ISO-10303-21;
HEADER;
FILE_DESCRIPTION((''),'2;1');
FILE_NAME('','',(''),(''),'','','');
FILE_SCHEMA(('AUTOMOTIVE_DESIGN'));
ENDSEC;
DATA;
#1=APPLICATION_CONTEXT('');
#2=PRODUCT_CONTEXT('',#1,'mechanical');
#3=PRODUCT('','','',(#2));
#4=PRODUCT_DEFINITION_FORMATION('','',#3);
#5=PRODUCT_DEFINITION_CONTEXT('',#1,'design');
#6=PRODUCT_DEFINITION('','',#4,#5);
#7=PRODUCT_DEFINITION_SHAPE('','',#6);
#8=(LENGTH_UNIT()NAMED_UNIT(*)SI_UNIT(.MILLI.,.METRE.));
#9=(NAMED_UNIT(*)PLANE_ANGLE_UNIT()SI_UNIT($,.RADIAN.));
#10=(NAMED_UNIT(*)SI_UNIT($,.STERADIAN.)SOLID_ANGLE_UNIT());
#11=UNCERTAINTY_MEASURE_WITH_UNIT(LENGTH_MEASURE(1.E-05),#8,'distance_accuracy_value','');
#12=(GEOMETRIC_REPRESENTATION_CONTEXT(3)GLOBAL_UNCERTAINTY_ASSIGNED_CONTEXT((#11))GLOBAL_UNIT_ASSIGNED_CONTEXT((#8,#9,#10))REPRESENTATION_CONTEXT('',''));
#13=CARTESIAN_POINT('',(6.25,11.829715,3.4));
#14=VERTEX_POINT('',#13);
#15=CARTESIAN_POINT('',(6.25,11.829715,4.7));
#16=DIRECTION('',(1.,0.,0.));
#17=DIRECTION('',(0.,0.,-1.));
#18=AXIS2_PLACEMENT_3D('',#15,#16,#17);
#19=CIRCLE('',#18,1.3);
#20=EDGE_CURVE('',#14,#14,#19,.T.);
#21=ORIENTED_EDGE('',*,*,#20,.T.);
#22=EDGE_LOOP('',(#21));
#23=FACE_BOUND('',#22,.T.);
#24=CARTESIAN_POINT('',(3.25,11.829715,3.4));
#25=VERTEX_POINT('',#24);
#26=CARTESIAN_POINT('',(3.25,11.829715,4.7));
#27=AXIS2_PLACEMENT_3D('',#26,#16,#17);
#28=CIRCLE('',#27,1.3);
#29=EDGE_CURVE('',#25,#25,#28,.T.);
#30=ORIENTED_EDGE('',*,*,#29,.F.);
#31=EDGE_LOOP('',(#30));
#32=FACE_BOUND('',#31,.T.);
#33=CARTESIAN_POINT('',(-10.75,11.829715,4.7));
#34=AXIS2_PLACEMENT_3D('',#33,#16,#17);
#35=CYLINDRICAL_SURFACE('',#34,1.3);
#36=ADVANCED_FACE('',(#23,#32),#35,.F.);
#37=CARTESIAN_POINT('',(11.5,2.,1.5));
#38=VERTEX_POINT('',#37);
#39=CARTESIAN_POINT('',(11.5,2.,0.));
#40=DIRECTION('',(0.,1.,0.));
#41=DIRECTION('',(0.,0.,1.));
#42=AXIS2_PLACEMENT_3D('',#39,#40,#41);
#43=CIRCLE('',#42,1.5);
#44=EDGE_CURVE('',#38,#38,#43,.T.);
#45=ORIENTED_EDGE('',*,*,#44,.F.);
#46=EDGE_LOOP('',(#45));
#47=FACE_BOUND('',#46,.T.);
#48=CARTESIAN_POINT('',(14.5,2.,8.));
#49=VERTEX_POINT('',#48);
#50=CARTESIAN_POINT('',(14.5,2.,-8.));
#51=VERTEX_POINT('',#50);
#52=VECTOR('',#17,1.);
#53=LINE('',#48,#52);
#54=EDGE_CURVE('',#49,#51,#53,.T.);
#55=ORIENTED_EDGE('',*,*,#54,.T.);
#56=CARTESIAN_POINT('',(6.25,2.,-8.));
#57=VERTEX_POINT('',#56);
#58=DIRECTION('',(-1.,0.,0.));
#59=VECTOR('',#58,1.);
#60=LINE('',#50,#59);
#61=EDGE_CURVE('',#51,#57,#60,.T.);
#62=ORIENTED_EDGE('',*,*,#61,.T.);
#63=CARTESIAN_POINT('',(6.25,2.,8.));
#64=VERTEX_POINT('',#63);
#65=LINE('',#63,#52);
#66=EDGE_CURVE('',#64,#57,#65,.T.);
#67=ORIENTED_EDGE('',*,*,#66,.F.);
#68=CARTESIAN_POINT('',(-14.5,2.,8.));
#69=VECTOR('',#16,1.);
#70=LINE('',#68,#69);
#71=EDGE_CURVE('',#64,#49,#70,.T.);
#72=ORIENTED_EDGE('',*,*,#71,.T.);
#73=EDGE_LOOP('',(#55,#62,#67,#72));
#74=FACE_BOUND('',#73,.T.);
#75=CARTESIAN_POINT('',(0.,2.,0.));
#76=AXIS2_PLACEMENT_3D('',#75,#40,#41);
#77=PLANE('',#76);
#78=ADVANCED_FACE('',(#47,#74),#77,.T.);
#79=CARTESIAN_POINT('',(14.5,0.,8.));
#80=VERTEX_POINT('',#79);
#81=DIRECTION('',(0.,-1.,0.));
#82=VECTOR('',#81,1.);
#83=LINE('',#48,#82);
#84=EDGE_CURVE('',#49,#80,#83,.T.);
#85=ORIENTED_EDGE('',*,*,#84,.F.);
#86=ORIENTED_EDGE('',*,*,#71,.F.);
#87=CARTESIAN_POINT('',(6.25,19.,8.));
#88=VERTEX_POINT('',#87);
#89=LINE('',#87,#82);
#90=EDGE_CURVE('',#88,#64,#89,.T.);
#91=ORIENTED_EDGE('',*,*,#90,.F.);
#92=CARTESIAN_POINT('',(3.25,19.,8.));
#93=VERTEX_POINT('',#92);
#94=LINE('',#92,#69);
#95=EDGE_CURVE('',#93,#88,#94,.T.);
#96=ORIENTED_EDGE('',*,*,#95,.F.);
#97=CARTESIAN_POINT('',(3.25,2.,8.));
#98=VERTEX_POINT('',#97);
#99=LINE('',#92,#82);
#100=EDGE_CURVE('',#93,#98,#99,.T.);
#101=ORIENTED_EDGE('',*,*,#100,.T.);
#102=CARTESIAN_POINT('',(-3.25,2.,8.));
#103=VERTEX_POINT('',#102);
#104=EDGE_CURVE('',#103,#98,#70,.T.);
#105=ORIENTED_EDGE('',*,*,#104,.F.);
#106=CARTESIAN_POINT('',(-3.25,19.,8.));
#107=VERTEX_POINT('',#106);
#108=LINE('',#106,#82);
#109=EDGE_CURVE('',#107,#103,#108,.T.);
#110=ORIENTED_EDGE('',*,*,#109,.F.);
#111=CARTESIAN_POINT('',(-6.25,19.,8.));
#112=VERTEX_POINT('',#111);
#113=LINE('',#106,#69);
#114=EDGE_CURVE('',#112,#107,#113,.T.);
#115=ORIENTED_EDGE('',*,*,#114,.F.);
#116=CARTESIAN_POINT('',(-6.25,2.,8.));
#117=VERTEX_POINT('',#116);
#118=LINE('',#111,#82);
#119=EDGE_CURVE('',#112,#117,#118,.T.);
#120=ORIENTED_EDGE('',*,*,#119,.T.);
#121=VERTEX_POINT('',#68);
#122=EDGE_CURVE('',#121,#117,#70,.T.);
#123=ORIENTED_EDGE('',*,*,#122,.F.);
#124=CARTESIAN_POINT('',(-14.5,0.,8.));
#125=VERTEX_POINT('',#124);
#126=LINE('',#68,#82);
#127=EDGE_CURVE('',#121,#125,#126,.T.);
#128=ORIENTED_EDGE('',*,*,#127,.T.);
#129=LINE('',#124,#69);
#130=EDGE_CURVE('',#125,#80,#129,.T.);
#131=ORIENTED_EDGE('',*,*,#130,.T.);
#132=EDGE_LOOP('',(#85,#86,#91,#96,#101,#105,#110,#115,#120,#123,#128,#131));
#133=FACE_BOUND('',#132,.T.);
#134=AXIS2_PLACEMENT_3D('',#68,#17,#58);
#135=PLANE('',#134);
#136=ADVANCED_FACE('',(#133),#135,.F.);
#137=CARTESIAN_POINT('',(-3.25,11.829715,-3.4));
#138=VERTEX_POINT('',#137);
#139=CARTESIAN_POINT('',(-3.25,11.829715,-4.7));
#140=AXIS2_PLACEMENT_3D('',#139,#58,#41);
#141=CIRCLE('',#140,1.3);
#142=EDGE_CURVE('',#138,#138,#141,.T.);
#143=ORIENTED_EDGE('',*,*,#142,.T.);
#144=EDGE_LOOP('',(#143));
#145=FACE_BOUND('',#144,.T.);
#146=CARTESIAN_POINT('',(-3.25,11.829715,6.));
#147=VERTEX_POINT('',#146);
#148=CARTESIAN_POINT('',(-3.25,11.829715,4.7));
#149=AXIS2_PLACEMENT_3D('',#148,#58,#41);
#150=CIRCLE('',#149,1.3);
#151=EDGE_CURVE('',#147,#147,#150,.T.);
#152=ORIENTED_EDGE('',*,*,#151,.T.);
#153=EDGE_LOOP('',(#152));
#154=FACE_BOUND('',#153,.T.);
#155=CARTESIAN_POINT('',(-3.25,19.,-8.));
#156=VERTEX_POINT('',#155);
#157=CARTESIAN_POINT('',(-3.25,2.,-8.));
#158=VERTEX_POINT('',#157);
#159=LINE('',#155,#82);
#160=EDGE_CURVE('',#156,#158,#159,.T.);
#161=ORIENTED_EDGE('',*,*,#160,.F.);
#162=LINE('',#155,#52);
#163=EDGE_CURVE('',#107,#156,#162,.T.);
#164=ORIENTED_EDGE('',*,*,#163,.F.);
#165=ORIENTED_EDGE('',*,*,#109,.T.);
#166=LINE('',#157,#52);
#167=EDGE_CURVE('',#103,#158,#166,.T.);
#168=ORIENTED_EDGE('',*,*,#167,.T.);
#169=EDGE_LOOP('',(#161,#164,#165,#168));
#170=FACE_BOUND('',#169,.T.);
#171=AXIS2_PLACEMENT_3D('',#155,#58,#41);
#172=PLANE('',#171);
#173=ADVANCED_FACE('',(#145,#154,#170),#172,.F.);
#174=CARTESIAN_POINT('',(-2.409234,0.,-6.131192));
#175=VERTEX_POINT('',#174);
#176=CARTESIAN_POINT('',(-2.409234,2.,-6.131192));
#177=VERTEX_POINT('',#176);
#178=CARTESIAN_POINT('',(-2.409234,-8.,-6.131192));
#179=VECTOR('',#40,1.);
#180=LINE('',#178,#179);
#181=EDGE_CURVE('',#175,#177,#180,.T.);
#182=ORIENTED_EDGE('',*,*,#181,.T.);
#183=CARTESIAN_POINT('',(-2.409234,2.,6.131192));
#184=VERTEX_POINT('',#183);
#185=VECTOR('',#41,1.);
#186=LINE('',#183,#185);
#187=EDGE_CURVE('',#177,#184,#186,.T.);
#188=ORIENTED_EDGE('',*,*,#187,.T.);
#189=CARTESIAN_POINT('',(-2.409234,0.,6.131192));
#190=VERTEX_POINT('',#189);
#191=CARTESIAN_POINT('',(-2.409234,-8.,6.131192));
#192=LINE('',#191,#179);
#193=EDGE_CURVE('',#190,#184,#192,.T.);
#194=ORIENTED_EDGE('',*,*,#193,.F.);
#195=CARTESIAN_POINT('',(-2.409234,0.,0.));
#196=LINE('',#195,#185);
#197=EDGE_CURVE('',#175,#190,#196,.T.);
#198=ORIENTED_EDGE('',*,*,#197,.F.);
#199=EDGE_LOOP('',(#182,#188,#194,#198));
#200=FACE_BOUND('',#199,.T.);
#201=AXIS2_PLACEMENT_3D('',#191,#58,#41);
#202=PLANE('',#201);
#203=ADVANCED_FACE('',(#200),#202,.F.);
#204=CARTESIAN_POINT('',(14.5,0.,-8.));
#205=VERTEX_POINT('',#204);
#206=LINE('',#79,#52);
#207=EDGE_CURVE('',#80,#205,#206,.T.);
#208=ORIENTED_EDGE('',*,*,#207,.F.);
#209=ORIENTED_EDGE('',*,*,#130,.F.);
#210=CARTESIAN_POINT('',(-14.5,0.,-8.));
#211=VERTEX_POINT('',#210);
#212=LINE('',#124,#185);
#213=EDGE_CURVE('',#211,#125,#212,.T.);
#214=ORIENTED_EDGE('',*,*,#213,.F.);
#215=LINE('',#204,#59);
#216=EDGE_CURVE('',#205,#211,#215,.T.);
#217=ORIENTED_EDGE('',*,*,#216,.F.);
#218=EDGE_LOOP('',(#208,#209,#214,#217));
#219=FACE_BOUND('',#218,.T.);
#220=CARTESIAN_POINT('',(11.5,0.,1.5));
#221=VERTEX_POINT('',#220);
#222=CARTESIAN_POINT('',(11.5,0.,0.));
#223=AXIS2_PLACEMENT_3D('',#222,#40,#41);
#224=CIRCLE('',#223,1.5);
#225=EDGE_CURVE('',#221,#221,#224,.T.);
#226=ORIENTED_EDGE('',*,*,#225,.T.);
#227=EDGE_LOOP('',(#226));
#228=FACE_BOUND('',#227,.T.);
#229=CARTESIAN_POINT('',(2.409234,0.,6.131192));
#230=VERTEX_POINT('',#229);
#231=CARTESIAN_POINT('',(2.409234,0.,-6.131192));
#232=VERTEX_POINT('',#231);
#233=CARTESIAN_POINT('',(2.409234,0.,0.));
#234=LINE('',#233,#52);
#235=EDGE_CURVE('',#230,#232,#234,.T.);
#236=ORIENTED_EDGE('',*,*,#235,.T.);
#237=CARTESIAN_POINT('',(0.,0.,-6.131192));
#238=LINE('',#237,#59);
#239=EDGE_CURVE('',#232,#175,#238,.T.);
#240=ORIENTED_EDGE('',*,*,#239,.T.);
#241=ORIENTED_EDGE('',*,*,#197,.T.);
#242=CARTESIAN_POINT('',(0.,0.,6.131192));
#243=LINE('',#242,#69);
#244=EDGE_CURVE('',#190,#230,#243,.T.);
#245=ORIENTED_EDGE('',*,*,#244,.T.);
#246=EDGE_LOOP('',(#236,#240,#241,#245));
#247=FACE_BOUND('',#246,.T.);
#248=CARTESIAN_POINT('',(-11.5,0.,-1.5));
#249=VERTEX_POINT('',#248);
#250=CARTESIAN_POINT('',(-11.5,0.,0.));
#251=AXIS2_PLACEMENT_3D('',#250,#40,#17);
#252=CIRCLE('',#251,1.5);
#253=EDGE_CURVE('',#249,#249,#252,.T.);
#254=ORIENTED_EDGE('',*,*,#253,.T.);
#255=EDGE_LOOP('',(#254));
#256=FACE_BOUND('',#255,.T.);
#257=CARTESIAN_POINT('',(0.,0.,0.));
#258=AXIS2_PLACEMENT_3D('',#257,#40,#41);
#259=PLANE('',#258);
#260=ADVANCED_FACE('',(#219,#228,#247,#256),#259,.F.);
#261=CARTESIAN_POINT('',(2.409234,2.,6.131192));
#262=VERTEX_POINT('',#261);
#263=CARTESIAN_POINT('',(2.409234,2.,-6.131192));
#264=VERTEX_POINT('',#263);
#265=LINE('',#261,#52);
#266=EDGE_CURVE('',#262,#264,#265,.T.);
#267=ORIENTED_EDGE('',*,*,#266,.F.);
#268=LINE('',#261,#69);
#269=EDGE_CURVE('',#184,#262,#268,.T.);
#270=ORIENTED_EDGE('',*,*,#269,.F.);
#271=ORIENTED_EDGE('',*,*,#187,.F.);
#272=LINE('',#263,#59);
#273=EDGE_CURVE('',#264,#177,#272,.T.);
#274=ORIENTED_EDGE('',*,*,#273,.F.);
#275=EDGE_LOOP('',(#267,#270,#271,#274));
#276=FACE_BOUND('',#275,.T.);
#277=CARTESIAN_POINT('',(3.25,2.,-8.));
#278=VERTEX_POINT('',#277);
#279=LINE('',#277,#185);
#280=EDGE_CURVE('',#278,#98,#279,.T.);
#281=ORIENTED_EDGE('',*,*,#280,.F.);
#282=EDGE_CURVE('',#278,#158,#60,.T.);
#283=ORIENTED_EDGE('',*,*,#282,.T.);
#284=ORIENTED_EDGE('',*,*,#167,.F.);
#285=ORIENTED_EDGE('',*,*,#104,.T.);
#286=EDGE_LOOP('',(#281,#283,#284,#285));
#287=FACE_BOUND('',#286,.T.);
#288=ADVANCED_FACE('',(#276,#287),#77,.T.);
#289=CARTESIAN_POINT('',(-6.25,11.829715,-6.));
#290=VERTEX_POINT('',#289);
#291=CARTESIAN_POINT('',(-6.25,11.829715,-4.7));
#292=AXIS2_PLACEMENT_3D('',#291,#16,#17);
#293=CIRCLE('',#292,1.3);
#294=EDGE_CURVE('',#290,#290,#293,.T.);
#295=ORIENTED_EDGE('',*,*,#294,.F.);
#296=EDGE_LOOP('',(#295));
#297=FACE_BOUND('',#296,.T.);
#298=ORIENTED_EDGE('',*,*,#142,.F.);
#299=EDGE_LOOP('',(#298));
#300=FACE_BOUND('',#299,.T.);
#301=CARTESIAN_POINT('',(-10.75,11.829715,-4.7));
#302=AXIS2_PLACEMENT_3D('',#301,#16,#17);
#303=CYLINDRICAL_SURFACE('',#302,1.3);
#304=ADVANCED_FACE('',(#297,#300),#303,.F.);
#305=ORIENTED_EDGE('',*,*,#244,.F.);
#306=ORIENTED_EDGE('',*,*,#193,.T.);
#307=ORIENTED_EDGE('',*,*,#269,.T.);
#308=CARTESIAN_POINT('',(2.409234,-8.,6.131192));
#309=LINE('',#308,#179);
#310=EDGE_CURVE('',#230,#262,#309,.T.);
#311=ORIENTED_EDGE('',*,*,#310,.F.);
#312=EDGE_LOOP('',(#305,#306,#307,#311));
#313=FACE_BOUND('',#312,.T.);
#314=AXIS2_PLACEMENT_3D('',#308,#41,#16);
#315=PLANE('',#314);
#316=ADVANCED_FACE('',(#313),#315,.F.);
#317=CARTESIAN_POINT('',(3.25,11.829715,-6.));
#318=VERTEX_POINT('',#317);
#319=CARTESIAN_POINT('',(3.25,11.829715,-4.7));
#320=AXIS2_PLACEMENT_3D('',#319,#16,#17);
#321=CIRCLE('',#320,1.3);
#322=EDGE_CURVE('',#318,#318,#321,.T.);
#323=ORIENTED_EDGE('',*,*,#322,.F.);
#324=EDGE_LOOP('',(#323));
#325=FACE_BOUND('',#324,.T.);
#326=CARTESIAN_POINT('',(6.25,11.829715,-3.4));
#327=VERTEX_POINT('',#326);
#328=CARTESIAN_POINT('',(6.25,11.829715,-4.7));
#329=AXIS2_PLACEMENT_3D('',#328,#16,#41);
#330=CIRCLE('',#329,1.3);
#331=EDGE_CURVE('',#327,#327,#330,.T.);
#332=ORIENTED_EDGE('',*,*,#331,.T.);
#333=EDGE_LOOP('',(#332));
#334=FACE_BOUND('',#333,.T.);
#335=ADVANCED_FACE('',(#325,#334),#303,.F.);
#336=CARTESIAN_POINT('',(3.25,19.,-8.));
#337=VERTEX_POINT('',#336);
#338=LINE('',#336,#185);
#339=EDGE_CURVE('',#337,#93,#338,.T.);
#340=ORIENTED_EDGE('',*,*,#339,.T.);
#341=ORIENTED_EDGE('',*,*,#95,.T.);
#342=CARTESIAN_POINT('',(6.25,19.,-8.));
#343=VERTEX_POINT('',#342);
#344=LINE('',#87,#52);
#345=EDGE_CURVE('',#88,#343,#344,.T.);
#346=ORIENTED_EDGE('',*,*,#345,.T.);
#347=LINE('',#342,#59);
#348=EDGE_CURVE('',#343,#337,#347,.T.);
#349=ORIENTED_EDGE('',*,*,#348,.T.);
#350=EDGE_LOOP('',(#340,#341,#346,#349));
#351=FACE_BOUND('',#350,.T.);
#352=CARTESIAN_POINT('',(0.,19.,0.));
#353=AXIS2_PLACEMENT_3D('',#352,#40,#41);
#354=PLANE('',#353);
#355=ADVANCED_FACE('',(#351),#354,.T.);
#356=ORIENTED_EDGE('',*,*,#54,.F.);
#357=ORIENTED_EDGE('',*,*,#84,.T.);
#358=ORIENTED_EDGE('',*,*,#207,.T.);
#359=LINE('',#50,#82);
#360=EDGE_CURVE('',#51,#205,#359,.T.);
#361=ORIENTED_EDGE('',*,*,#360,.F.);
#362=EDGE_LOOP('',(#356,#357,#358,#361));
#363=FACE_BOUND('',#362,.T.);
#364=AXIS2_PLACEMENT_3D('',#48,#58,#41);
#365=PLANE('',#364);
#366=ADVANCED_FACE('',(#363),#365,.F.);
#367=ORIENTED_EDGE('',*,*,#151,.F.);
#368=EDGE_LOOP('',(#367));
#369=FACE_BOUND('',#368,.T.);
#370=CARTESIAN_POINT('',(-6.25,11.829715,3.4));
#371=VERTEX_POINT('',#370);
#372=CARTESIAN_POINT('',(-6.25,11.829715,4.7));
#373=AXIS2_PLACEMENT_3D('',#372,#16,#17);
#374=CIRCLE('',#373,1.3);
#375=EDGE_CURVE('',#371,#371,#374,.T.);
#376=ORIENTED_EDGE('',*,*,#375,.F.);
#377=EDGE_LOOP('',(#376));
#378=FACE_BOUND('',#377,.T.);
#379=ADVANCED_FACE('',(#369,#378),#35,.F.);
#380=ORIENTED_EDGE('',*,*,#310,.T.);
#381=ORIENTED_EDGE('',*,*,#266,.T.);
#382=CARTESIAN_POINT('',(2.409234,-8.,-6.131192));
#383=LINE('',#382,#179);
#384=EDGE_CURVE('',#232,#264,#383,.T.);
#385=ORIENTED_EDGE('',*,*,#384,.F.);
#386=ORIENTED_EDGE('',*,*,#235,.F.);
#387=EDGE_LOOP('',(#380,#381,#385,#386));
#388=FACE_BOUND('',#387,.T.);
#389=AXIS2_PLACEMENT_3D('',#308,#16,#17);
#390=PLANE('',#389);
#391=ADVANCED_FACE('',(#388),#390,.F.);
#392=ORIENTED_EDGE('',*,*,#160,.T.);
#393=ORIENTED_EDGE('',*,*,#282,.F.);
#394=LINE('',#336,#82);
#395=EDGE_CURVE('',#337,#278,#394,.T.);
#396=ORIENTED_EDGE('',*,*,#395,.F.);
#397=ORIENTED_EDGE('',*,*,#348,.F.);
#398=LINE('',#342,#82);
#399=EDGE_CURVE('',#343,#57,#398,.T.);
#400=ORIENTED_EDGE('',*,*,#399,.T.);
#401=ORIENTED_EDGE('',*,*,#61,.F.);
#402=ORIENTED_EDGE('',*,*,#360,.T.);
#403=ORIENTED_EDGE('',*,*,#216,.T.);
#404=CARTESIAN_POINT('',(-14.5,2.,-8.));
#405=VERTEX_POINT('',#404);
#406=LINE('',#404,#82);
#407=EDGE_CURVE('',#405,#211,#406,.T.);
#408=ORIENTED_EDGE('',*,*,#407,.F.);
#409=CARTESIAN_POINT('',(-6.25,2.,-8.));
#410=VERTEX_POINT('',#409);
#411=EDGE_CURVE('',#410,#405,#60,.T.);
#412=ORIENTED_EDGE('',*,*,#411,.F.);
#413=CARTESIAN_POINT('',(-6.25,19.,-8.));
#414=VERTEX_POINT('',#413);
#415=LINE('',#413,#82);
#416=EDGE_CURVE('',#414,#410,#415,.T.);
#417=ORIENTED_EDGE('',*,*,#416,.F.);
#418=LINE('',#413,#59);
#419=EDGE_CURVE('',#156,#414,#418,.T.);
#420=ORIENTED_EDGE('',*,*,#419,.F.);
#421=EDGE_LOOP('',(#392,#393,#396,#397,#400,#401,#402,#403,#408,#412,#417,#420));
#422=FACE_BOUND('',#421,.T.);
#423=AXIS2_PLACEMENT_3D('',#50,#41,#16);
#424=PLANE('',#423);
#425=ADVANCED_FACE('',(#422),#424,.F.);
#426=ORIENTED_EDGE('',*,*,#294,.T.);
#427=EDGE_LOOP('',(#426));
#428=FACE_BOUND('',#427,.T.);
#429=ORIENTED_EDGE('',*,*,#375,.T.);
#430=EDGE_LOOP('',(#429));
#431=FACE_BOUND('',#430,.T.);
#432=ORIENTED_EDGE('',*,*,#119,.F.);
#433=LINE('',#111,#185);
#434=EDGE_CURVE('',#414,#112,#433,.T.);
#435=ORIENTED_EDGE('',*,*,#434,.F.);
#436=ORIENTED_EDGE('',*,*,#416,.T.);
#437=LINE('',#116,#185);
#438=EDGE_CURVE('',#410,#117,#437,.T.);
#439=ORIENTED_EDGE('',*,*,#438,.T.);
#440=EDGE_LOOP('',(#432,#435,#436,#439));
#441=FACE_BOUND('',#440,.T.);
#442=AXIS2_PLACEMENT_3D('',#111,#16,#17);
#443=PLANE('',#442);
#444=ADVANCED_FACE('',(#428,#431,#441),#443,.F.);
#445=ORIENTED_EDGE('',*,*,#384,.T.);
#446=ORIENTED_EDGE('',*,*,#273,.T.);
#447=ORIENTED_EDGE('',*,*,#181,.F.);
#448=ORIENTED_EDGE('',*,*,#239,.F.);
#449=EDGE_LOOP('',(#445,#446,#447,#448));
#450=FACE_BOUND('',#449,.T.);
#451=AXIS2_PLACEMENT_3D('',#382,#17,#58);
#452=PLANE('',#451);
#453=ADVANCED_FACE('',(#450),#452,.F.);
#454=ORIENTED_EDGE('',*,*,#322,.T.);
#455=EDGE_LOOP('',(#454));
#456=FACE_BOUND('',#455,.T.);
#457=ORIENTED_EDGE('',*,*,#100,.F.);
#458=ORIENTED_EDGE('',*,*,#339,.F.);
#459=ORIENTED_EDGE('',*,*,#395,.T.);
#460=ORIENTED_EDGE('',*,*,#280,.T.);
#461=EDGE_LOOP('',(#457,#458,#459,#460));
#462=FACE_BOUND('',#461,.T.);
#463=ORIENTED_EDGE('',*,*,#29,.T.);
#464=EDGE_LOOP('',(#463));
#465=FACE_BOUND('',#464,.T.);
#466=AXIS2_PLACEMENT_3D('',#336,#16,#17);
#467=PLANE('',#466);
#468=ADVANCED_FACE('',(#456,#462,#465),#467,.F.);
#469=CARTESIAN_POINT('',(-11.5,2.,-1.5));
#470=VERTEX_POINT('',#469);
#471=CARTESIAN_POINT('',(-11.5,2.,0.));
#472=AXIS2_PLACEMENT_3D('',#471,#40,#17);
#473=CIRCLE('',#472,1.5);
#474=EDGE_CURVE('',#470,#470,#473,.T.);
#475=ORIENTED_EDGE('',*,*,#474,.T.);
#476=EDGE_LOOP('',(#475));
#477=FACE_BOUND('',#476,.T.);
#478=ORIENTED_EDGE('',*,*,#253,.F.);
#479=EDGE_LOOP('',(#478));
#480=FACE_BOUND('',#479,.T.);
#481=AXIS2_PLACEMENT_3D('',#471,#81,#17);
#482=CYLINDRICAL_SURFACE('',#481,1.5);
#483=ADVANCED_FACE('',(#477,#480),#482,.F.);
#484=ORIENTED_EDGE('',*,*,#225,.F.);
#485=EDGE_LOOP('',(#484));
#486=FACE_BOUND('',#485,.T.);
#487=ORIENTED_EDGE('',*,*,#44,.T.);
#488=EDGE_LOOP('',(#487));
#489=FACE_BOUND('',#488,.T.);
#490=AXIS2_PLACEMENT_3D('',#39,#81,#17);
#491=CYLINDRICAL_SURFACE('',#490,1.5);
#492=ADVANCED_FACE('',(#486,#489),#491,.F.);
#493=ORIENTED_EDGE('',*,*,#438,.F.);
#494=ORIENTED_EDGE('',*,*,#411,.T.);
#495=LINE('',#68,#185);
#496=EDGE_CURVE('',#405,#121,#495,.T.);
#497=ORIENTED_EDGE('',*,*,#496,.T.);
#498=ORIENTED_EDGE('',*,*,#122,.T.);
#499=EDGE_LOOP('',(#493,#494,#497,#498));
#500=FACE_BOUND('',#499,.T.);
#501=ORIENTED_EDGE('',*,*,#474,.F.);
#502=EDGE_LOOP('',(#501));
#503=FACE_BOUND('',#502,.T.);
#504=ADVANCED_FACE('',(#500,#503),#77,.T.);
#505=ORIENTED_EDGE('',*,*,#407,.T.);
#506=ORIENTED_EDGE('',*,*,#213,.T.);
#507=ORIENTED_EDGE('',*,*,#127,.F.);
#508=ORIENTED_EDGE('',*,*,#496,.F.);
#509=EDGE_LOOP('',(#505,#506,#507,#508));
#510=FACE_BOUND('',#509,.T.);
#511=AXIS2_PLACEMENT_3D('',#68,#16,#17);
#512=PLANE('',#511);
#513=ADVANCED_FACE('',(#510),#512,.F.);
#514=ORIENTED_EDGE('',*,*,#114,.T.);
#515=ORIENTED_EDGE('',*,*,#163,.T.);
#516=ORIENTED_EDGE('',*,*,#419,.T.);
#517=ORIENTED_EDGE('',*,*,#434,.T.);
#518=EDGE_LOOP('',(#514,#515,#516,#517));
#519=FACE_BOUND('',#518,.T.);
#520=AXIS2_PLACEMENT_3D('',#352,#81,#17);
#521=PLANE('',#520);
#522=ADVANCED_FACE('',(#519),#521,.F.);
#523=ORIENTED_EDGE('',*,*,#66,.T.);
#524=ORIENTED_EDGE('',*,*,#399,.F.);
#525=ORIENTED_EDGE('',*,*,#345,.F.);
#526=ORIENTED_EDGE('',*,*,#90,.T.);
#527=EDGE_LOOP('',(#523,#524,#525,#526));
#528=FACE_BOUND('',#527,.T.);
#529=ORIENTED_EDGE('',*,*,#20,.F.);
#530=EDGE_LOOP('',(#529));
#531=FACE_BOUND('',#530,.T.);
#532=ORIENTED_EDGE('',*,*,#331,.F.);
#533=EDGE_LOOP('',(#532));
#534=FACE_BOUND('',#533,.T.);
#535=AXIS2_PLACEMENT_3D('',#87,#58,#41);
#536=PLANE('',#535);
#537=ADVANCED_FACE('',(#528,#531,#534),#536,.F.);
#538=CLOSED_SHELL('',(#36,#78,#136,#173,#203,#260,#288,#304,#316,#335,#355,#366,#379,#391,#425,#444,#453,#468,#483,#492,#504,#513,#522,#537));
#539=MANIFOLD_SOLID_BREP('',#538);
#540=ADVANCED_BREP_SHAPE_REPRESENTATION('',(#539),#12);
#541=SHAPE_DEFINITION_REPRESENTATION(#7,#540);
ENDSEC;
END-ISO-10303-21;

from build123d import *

# Parameters (mm, degrees)
CROQUIS1_W              = 29
CROQUIS1_H              = 16
CROQUIS1_R              = 1.5
SALIENTE_EXTRUIR1_DEPTH = 2
CROQUIS2_W              = 3
CROQUIS2_H              = 16
SALIENTE_EXTRUIR2_DEPTH = 17
CROQUIS3_R              = 1.3
CORTAR_EXTRUIR1_DEPTH   = 17
CROQUIS4_W              = 4.8184681
CROQUIS4_H              = 12.262383564
CORTAR_EXTRUIR2_DEPTH   = 10


with BuildPart() as part:
    # Croquis1 → Saliente-Extruir1 (new body)
    with BuildSketch(Plane(origin=(0, 0, 0), x_dir=(1, 0, 0), z_dir=(0, 1, 0))):
        Rectangle(CROQUIS1_W, CROQUIS1_H)
        with Locations(Location((11.5, 0, 0), (0, 0, 270))):
            Circle(CROQUIS1_R, mode=Mode.SUBTRACT)
        with Locations(Location((-11.5, 0, 0), (0, 0, 90))):
            Circle(CROQUIS1_R, mode=Mode.SUBTRACT)
    extrude(amount=SALIENTE_EXTRUIR1_DEPTH)

    # Croquis2 → Saliente-Extruir2 (add)
    with BuildSketch(Plane(origin=(0, 2, 0), x_dir=(1, 0, 0), z_dir=(0, 1, 0))):
        with Locations((4.75, 0)):
            Rectangle(CROQUIS2_W, CROQUIS2_H)
        with Locations((-4.75, 0)):
            Rectangle(CROQUIS2_W, CROQUIS2_H)
    extrude(amount=SALIENTE_EXTRUIR2_DEPTH)

    # Croquis3 → Cortar-Extruir1 (cut)
    with BuildSketch(Plane(origin=(6.25, 0, 0), x_dir=(0, 0, -1), z_dir=(1, 0, 0))):
        with Locations((-4.7, 11.829714682)):
            Circle(CROQUIS3_R)
        with Locations((4.7, 11.829714682)):
            Circle(CROQUIS3_R)
    extrude(amount=-CORTAR_EXTRUIR1_DEPTH, mode=Mode.SUBTRACT)

    # Croquis4 → Cortar-Extruir2 (cut)
    with BuildSketch(Plane(origin=(0, 2, 0), x_dir=(1, 0, 0), z_dir=(0, 1, 0))):
        Rectangle(CROQUIS4_W, CROQUIS4_H)
    extrude(amount=-CORTAR_EXTRUIR2_DEPTH, mode=Mode.SUBTRACT)


solid = part.part
